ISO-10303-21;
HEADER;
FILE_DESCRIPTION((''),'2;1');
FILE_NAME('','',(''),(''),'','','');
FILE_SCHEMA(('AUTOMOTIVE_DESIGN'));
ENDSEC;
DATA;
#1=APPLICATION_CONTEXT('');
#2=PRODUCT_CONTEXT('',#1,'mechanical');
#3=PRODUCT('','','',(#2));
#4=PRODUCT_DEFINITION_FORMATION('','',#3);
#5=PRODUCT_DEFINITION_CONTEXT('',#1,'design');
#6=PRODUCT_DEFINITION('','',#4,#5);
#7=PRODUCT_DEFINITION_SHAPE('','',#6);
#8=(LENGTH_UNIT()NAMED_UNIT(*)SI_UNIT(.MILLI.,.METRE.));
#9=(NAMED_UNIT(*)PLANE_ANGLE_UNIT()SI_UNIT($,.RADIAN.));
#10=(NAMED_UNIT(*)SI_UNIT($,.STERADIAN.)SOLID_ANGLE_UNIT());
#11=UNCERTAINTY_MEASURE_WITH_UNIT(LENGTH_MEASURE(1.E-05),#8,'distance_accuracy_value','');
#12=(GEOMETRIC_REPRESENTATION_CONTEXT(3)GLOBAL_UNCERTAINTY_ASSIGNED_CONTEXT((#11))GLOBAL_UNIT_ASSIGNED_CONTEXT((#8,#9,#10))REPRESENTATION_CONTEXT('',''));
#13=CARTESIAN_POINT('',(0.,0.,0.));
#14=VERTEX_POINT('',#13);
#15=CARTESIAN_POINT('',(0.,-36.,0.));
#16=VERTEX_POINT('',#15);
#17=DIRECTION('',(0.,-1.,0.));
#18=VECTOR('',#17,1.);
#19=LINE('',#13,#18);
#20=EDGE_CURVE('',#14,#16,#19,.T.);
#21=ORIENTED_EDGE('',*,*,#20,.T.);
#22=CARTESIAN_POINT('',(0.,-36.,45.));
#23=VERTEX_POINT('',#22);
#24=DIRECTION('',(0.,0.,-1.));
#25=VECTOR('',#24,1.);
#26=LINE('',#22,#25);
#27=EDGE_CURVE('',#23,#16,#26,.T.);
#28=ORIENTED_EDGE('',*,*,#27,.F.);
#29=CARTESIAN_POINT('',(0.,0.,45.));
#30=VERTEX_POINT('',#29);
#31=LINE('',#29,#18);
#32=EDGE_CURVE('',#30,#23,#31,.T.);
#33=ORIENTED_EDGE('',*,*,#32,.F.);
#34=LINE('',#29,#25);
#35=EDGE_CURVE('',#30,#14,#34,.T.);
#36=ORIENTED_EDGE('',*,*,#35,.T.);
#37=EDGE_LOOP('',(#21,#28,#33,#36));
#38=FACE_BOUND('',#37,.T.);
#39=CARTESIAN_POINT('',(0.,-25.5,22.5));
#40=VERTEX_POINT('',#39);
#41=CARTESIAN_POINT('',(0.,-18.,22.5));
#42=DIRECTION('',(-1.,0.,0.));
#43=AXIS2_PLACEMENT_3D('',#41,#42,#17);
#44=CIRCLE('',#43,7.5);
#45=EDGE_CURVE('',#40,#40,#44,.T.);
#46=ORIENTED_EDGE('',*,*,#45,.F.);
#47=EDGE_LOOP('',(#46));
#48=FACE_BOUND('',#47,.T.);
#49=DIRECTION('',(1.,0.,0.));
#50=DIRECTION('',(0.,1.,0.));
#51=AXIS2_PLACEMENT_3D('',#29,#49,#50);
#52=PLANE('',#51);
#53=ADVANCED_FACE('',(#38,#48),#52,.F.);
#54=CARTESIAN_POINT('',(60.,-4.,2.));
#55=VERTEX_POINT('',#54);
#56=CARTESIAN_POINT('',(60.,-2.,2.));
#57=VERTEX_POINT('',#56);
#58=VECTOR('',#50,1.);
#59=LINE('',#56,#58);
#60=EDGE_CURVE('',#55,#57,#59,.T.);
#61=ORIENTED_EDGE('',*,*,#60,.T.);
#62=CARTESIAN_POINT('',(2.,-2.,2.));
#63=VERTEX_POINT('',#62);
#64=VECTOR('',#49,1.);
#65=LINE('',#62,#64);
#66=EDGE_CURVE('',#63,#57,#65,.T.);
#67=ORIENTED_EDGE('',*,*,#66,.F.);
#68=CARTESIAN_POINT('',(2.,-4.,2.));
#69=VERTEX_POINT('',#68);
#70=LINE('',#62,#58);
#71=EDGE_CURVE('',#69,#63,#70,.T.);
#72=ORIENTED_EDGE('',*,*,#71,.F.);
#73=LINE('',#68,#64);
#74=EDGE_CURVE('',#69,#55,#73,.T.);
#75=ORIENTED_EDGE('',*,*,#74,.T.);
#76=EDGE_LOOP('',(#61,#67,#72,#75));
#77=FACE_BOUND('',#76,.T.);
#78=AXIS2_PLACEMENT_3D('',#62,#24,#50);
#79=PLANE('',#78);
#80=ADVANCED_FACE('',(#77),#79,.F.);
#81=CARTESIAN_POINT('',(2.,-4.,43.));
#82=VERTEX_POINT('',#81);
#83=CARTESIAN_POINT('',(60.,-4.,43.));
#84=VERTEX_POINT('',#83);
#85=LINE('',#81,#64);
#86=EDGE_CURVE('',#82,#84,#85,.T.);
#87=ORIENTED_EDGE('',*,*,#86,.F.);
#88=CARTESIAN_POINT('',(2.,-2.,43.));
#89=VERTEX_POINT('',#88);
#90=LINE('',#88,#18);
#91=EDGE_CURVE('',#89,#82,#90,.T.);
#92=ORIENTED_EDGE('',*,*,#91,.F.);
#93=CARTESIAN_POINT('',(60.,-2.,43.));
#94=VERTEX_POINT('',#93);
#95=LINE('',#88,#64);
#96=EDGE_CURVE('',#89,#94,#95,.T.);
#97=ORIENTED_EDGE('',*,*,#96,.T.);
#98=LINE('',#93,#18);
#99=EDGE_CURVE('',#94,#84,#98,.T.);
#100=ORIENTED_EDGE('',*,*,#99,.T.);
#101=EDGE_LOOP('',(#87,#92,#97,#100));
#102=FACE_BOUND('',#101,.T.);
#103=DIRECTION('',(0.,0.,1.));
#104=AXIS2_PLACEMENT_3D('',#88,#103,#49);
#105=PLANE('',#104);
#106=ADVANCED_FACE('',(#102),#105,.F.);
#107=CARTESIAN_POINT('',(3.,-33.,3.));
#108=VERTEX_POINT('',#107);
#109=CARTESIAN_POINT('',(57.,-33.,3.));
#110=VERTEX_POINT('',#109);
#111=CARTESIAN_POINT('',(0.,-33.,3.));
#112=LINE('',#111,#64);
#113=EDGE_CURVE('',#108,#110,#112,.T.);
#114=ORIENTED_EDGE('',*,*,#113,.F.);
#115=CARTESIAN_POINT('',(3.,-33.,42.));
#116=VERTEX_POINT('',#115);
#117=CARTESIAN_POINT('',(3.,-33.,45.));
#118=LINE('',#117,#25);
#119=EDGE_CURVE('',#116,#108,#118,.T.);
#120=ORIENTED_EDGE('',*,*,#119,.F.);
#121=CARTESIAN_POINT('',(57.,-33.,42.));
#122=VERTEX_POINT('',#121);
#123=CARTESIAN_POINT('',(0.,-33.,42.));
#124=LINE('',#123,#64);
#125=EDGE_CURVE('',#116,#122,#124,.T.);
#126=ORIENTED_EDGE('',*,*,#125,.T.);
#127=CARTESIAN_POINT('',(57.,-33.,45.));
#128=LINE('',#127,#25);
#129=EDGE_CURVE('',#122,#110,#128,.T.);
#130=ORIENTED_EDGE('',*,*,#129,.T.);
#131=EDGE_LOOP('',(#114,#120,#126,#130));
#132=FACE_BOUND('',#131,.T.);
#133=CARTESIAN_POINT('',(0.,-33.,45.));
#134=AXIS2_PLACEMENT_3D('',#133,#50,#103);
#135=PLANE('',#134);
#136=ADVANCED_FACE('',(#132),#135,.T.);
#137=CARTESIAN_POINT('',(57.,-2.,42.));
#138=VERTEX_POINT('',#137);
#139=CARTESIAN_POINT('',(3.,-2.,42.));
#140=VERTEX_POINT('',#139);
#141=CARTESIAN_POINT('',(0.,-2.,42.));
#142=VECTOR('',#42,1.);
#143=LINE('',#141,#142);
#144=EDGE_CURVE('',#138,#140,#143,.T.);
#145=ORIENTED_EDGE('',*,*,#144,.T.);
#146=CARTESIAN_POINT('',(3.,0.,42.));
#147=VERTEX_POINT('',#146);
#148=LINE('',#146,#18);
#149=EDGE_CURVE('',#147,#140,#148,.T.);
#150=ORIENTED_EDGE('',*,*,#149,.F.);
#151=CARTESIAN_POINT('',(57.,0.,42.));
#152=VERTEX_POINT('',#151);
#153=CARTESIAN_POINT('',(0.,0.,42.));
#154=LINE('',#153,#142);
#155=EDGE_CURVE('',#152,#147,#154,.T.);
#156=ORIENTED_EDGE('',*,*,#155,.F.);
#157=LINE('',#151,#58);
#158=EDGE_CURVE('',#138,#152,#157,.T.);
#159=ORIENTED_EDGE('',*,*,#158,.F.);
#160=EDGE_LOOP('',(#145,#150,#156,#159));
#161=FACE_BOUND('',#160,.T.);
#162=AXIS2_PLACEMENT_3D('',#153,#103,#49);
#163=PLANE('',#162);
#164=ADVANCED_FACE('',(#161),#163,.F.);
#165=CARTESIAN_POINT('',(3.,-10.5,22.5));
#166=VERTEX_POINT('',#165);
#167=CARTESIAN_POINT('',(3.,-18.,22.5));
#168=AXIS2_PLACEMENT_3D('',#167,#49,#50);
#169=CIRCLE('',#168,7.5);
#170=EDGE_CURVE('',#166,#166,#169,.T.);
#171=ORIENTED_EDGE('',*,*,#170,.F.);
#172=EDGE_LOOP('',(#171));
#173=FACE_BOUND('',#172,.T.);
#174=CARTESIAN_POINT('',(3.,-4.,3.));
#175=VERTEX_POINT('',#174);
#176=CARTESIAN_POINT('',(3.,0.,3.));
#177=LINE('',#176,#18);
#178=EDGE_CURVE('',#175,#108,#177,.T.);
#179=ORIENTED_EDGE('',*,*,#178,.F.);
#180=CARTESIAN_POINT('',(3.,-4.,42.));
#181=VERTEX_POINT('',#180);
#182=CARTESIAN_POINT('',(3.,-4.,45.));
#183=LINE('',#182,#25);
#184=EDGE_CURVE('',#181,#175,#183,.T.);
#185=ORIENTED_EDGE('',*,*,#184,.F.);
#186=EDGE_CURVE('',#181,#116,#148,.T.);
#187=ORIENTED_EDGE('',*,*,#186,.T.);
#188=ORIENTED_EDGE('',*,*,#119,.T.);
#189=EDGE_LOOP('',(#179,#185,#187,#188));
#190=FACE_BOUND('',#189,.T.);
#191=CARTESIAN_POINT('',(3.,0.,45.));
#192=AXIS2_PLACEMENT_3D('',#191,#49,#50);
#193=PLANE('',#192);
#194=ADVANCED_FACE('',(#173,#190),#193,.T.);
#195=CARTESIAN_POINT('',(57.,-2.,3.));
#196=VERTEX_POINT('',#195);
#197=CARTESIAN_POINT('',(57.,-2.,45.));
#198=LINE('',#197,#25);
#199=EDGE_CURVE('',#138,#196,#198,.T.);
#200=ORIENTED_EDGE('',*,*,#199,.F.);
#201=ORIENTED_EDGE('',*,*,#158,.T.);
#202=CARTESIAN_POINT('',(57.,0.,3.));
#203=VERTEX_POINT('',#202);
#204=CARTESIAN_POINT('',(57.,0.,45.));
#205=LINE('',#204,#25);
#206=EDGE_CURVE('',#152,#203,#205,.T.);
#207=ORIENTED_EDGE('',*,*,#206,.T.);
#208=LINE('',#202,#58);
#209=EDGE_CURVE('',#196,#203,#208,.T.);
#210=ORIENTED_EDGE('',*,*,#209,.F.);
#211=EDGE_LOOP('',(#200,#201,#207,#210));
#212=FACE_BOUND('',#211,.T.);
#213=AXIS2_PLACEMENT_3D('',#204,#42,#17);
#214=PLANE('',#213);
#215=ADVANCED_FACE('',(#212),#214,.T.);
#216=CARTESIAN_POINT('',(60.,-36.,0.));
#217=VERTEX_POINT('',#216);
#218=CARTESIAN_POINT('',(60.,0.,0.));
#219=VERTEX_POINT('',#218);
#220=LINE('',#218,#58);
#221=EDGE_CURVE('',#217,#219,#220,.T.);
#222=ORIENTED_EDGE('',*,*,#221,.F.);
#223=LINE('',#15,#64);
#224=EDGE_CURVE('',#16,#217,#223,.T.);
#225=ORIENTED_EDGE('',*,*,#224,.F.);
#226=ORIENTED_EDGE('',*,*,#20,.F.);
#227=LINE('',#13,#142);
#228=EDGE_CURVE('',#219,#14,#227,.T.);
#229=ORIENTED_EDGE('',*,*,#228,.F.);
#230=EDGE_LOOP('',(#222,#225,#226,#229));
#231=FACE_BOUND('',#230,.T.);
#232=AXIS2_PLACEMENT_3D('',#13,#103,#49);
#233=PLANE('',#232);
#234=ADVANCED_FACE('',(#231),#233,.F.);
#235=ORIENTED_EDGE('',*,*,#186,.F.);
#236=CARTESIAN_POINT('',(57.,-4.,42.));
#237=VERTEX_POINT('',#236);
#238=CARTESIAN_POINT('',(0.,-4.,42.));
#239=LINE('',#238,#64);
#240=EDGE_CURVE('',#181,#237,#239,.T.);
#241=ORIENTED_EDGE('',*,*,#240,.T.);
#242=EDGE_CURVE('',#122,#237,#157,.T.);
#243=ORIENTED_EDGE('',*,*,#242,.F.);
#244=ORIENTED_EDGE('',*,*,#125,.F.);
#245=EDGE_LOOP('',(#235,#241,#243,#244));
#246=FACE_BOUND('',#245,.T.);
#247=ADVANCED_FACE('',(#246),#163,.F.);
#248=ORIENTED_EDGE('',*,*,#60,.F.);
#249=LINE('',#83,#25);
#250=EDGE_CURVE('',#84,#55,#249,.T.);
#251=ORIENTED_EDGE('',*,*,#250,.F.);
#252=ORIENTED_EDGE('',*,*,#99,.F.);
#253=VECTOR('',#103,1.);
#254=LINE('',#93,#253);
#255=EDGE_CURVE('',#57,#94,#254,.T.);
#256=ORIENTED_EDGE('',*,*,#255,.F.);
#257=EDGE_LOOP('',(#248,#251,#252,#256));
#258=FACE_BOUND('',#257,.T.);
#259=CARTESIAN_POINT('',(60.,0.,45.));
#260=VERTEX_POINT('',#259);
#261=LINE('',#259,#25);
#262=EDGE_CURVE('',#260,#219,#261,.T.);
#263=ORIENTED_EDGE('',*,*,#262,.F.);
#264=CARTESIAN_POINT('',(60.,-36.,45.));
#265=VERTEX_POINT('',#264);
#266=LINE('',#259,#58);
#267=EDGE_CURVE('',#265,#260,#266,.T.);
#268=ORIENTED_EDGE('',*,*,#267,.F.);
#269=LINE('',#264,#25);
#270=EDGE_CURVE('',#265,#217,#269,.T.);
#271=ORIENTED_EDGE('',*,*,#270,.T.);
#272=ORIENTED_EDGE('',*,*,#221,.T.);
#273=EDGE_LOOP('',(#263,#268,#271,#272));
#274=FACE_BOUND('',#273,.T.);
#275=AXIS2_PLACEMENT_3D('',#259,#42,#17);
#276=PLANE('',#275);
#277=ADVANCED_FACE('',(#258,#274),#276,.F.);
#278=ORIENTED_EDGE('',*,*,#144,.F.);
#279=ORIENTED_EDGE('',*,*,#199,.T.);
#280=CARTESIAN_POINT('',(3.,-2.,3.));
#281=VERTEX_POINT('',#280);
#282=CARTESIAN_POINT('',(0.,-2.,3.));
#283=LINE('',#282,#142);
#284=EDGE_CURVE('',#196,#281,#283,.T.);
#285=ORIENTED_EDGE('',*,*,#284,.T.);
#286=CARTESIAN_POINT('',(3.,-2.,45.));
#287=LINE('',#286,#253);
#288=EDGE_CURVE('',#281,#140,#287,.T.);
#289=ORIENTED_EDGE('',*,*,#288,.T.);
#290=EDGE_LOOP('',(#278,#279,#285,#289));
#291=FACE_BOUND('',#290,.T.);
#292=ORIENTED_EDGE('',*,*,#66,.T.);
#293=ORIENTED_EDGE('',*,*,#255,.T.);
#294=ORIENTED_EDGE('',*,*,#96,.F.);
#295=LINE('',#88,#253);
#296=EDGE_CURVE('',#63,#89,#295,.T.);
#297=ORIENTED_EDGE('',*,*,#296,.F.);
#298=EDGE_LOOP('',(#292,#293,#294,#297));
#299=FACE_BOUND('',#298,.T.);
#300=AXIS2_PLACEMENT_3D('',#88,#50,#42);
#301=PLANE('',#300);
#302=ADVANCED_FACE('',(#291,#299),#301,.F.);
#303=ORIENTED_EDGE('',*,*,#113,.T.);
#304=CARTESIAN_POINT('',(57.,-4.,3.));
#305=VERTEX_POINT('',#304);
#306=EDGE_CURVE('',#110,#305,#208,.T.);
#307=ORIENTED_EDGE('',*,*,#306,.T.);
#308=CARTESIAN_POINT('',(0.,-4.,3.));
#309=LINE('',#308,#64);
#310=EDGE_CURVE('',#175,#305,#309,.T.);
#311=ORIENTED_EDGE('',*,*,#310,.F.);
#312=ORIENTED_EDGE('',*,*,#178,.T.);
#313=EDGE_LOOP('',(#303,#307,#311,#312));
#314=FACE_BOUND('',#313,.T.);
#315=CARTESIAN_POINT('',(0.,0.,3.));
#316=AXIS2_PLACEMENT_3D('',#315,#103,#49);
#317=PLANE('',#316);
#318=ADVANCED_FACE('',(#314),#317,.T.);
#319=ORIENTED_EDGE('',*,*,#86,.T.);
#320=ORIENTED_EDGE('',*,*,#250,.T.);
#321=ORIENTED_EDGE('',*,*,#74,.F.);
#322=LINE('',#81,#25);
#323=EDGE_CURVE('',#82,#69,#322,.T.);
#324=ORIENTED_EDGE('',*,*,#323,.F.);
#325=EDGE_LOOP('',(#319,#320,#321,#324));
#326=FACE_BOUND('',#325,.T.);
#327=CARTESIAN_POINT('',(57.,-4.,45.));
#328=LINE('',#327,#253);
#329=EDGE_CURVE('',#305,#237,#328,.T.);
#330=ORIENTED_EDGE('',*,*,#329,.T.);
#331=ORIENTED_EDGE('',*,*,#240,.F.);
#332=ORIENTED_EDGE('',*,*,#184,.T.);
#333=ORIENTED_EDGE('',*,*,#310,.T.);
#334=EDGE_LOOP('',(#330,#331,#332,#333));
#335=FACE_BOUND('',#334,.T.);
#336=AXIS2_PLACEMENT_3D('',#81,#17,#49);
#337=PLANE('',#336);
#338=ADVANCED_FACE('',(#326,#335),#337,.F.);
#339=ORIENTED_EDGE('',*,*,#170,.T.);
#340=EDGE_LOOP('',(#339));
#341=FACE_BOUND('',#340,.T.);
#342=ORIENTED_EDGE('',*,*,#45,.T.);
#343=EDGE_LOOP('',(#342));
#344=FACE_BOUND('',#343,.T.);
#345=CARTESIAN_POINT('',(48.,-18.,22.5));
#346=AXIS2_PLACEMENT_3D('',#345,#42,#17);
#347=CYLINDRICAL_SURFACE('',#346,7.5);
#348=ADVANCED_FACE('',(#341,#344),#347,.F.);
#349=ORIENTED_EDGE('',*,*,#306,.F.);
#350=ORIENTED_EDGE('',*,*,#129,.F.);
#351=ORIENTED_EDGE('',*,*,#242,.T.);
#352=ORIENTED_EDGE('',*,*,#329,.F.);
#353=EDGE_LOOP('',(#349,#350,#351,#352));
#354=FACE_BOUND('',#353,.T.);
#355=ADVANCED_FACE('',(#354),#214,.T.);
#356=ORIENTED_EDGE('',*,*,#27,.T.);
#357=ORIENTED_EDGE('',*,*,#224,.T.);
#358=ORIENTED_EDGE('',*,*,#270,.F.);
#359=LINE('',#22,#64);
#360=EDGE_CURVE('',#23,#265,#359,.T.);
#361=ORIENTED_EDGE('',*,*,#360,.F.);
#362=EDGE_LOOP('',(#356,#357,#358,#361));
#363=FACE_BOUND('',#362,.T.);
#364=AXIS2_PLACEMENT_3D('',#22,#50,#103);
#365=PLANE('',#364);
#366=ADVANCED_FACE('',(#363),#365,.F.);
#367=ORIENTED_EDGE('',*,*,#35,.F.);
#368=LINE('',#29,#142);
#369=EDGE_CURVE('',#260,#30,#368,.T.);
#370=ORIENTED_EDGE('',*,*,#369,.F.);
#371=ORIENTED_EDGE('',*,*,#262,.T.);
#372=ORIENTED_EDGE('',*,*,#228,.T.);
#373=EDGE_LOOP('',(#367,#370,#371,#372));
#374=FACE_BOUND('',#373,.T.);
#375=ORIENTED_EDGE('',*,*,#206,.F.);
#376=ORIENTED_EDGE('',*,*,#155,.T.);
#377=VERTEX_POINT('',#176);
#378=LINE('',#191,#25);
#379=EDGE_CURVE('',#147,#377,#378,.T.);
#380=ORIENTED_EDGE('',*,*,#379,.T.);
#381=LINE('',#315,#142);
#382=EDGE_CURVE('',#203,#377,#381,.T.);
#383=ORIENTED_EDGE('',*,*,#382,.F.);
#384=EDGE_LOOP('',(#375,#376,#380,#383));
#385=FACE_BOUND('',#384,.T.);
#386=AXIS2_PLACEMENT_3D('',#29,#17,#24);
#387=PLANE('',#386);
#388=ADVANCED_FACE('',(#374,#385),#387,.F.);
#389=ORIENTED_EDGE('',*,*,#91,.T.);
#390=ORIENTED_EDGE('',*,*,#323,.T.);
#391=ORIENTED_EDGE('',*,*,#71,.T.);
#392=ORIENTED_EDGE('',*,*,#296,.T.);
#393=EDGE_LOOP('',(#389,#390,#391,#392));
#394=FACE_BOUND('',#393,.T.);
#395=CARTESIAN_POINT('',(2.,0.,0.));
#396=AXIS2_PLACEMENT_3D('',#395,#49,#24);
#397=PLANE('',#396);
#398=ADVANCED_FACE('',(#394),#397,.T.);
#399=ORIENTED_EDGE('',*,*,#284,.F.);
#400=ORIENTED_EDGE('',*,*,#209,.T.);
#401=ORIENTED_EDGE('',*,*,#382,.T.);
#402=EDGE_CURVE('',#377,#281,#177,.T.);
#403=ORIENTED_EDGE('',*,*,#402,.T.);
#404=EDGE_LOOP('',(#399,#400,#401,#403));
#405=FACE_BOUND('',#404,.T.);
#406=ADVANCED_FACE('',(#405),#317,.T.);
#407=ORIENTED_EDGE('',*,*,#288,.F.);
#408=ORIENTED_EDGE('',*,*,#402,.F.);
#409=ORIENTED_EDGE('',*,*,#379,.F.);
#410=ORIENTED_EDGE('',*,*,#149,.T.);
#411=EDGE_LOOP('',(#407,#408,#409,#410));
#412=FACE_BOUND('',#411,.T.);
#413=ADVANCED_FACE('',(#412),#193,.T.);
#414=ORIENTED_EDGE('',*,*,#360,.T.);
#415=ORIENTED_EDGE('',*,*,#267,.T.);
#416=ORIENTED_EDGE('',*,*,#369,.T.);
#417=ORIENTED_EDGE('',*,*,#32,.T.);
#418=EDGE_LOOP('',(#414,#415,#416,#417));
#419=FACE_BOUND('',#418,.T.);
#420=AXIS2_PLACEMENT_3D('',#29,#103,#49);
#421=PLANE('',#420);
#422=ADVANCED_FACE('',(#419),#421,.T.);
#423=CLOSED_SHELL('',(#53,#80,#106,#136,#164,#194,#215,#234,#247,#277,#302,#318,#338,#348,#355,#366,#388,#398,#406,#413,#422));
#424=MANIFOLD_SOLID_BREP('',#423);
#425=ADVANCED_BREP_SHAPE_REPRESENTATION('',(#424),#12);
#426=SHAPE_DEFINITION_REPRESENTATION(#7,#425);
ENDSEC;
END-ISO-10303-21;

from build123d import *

# Parameters (mm, degrees)
SKETCH1_W           = 60
SKETCH1_H           = 36
BOSS_EXTRUDE1_DEPTH = 45
SHELL1_T            = -3
SKETCH2_W           = 41
SKETCH2_H           = 2
CUT_EXTRUDE1_DEPTH  = 58
SKETCH3_R           = 7.5
CUT_EXTRUDE2_DEPTH  = 48


with BuildPart() as part:
    # Sketch1 → Boss-Extrude1 (new body)
    with BuildSketch(Plane.XY):
        with Locations((30, -18)):
            Rectangle(SKETCH1_W, SKETCH1_H)
    extrude(amount=BOSS_EXTRUDE1_DEPTH)

    # Shell1
    shell1_openings = [part.faces().sort_by_distance(p)[0] for p in [
        (30, 0, 22.5),
    ]]
    offset(amount=SHELL1_T, openings=shell1_openings, kind=Kind.INTERSECTION)

    # Sketch2 → Cut-Extrude1 (cut)
    with BuildSketch(Plane(origin=(60, 0, 0), x_dir=(0, 0, -1), z_dir=(1, 0, 0))):
        with Locations((-22.5, -3)):
            Rectangle(SKETCH2_W, SKETCH2_H)
    extrude(amount=-CUT_EXTRUDE1_DEPTH, mode=Mode.SUBTRACT)

    # Sketch3 → Cut-Extrude2 (cut)
    with BuildSketch(Plane.ZY):
        with Locations(Location((22.5, -18, 0), (0, 0, 270))):
            Circle(SKETCH3_R)
    extrude(amount=-CUT_EXTRUDE2_DEPTH, mode=Mode.SUBTRACT)


solid = part.part
